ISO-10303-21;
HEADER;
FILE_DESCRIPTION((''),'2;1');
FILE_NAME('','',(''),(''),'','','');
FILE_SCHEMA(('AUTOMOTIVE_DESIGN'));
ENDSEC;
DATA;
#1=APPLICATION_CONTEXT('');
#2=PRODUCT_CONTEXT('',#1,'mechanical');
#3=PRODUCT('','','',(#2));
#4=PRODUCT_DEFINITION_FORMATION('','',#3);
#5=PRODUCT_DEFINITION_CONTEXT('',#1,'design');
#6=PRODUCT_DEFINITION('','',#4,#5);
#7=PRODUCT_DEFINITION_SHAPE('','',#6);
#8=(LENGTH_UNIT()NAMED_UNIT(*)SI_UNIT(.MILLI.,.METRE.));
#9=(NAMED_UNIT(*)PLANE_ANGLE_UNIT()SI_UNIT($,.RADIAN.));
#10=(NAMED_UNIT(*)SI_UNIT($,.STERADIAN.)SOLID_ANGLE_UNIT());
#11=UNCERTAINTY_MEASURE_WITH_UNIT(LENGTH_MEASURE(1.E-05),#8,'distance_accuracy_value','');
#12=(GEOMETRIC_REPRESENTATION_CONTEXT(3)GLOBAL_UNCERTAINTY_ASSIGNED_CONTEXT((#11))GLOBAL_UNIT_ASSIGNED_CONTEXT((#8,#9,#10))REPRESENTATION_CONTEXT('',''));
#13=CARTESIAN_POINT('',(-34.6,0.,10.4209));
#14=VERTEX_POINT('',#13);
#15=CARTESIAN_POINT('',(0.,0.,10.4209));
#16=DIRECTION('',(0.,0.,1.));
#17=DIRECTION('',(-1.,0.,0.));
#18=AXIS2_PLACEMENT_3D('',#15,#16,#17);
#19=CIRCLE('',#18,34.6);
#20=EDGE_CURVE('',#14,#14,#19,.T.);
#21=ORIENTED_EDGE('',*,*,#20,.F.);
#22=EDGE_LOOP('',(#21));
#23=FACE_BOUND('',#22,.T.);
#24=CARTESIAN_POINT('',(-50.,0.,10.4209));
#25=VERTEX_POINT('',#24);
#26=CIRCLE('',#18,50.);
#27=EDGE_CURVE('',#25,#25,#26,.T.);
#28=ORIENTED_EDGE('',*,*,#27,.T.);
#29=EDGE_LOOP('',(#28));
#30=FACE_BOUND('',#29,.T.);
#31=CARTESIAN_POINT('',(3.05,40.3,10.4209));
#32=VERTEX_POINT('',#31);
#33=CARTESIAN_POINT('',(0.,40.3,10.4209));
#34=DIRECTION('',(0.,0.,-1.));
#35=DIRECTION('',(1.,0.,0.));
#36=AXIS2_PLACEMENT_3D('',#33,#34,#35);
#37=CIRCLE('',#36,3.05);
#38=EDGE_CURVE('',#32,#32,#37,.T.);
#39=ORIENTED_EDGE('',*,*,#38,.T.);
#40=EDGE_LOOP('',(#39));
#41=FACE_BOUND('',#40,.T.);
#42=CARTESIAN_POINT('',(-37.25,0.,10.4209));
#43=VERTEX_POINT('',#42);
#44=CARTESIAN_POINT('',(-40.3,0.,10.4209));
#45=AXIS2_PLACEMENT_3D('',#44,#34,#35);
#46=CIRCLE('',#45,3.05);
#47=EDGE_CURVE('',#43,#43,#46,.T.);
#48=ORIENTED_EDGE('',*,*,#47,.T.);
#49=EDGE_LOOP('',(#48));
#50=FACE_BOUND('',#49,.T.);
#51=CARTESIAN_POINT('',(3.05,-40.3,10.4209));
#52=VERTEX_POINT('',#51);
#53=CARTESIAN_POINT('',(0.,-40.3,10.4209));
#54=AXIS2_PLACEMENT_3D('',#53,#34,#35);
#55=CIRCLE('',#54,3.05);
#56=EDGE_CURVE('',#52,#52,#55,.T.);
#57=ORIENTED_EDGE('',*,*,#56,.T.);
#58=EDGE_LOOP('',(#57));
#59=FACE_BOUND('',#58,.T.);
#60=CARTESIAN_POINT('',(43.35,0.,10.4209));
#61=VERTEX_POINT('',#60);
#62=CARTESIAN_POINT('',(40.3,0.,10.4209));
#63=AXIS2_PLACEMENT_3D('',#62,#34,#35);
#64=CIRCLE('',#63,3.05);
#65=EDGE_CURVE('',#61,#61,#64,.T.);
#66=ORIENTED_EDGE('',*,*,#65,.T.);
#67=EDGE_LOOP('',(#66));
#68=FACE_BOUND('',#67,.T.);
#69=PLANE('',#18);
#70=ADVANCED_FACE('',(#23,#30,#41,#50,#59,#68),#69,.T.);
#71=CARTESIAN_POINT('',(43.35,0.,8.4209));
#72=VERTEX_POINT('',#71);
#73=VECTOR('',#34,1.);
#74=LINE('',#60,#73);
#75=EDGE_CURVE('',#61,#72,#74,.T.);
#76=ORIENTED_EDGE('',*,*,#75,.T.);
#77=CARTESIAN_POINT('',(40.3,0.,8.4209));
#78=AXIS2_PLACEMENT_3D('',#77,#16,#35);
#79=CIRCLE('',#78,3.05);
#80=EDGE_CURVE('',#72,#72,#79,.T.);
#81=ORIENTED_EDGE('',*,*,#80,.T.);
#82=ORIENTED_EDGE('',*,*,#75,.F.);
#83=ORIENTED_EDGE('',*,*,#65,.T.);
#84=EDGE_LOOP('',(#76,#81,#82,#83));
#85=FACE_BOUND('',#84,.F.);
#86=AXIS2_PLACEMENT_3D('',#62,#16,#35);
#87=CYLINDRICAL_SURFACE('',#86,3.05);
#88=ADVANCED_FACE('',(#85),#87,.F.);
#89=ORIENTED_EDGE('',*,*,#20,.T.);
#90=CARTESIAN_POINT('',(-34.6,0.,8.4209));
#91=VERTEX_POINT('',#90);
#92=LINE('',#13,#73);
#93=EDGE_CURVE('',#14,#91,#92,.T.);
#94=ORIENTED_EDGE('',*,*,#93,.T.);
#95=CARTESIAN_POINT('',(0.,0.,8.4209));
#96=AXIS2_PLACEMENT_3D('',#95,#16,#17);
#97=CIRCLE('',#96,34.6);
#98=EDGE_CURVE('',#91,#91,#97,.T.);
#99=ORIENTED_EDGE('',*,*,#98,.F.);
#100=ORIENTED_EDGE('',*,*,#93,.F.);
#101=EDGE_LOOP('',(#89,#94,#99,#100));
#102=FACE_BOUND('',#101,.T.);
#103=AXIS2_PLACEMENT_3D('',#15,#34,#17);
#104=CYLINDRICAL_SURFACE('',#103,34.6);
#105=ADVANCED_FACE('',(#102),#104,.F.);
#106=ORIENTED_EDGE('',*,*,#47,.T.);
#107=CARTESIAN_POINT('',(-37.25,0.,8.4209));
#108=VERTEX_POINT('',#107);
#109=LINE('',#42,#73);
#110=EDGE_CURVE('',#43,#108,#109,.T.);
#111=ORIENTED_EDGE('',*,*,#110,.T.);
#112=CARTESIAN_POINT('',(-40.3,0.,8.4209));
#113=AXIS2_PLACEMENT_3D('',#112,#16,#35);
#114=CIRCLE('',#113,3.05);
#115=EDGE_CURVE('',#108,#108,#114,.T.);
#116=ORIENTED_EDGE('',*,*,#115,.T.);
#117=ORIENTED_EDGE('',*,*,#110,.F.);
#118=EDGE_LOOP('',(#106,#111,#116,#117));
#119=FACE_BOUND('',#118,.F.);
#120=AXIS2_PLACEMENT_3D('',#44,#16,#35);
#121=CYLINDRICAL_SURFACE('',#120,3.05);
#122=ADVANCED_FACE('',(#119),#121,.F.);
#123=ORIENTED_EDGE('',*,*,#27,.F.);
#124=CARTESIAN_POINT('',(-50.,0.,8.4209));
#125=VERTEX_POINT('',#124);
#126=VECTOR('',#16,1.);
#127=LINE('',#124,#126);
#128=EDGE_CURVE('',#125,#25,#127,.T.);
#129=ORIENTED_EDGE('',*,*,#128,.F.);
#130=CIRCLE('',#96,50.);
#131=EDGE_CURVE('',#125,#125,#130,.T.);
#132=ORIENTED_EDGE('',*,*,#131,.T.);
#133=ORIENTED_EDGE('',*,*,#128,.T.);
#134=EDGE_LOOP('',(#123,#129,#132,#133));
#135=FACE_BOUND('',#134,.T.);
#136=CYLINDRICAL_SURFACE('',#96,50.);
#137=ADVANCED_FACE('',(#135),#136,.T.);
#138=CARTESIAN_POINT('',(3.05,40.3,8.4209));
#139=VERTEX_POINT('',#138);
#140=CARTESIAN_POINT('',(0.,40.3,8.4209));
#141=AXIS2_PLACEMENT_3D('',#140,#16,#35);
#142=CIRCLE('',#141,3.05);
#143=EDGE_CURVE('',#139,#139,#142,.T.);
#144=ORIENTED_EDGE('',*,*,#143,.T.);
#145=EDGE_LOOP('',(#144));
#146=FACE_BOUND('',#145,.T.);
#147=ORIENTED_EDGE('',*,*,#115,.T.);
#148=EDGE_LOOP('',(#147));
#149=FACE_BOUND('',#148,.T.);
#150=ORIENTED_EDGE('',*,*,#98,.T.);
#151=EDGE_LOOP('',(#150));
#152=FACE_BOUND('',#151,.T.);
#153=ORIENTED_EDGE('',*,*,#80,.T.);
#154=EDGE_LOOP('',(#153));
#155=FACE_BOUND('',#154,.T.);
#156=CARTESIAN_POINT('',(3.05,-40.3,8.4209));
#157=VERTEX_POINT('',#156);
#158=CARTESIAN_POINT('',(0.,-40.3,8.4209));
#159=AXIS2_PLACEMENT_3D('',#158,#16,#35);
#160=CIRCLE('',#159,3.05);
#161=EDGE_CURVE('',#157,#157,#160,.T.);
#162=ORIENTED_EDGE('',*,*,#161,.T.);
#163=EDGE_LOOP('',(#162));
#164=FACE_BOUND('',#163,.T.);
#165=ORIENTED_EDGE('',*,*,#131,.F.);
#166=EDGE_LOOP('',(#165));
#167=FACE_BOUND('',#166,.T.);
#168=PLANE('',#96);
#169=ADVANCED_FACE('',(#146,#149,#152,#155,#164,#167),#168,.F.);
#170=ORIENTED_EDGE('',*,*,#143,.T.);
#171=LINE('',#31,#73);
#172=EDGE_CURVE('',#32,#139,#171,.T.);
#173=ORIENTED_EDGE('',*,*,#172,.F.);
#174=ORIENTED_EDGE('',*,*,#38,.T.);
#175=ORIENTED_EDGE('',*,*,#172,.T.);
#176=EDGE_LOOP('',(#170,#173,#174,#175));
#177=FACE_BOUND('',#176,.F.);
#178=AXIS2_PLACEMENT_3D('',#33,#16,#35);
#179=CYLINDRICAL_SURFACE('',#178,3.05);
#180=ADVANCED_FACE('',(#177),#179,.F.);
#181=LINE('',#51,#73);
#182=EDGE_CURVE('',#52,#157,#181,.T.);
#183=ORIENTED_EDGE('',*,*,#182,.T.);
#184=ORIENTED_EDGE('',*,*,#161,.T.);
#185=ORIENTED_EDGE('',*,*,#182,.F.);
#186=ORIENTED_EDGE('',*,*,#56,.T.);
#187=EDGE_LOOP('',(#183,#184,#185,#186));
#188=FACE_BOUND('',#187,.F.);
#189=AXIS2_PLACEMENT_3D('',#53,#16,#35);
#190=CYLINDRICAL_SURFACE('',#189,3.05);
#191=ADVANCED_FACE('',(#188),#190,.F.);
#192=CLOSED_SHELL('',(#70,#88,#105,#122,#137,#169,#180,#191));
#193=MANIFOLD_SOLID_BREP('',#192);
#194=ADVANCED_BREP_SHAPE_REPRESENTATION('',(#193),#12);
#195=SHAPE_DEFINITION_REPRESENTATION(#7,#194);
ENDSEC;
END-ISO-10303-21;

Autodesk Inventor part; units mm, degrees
ref_plane "YZ Plane" through (0, 0, 0) normal (1, 0, 0) x (0, 1, 0)
ref_plane "XZ Plane" through (0, 0, 0) normal (0, 1, 0) x (-1, 0, 0)
ref_plane "XY Plane" through (0, 0, 0) normal (0, 0, 1) x (1, 0, 0)
sketch "Szkic1" plane through (0, 0, 0) normal (0, 1, 0) x (-1, 0, 0)
  line L0 (34.6, 10.4209) -> (34.6, 8.4209)
  line L1 (34.6, 8.4209) -> (50, 8.4209)
  line L2 (50, 8.4209) -> (50, 10.4209)
  line L3 (50, 10.4209) -> (34.6, 10.4209)
  line L4 (0, 0) -> (0, 76.2035)
  dimension "d0" = 15.4
  dimension "d1" = 2
  dimension "d2" = 34.6
revolve "Obrót1" add sketch "Szkic1" angle 360 about axis through (0, 0, 0) along (0, 0, 1)
sketch "Szkic2" plane through (0, 0, 10.4209) normal (0, 0, 1) x (1, 0, 0)
  circle A0 centre (0, 0) radius 40.3
  circle A1 centre (0, 40.3) radius 3.05
  dimension "d4" = 80.6
  dimension "d5" = 6.1
extrude "Wyciągnięcie proste1" cut sketch "Szkic2" against normal blind 10 contours A1 A0 | A0 A1 picked at (-0.1196, 39.2818) picked at (0.1049, 41.3027)
sketch "Szkic3" plane through (0, 0, 10.4209) normal (0, 0, 1) x (1, 0, 0)
  circle A0 centre (0, 0) radius 40.3
  circle A1 centre (40.3, 0) radius 3.05
  circle A2 centre (0, -40.3) radius 3.05
  circle A3 centre (-40.3, 0) radius 3.05
  dimension "d8" = 80.6
  dimension "d9" = 6.1
  dimension "d10" = 6.1
  dimension "d11" = 6.1
extrude "Wyciągnięcie proste2" cut sketch "Szkic3" against normal blind 10 contours A0 A1 | A0 A1 | A3 A0 | A0 A3 | A2 A0 | A0 A2
properties part number "uszczelka" material "Poliwęglan dymiony"
